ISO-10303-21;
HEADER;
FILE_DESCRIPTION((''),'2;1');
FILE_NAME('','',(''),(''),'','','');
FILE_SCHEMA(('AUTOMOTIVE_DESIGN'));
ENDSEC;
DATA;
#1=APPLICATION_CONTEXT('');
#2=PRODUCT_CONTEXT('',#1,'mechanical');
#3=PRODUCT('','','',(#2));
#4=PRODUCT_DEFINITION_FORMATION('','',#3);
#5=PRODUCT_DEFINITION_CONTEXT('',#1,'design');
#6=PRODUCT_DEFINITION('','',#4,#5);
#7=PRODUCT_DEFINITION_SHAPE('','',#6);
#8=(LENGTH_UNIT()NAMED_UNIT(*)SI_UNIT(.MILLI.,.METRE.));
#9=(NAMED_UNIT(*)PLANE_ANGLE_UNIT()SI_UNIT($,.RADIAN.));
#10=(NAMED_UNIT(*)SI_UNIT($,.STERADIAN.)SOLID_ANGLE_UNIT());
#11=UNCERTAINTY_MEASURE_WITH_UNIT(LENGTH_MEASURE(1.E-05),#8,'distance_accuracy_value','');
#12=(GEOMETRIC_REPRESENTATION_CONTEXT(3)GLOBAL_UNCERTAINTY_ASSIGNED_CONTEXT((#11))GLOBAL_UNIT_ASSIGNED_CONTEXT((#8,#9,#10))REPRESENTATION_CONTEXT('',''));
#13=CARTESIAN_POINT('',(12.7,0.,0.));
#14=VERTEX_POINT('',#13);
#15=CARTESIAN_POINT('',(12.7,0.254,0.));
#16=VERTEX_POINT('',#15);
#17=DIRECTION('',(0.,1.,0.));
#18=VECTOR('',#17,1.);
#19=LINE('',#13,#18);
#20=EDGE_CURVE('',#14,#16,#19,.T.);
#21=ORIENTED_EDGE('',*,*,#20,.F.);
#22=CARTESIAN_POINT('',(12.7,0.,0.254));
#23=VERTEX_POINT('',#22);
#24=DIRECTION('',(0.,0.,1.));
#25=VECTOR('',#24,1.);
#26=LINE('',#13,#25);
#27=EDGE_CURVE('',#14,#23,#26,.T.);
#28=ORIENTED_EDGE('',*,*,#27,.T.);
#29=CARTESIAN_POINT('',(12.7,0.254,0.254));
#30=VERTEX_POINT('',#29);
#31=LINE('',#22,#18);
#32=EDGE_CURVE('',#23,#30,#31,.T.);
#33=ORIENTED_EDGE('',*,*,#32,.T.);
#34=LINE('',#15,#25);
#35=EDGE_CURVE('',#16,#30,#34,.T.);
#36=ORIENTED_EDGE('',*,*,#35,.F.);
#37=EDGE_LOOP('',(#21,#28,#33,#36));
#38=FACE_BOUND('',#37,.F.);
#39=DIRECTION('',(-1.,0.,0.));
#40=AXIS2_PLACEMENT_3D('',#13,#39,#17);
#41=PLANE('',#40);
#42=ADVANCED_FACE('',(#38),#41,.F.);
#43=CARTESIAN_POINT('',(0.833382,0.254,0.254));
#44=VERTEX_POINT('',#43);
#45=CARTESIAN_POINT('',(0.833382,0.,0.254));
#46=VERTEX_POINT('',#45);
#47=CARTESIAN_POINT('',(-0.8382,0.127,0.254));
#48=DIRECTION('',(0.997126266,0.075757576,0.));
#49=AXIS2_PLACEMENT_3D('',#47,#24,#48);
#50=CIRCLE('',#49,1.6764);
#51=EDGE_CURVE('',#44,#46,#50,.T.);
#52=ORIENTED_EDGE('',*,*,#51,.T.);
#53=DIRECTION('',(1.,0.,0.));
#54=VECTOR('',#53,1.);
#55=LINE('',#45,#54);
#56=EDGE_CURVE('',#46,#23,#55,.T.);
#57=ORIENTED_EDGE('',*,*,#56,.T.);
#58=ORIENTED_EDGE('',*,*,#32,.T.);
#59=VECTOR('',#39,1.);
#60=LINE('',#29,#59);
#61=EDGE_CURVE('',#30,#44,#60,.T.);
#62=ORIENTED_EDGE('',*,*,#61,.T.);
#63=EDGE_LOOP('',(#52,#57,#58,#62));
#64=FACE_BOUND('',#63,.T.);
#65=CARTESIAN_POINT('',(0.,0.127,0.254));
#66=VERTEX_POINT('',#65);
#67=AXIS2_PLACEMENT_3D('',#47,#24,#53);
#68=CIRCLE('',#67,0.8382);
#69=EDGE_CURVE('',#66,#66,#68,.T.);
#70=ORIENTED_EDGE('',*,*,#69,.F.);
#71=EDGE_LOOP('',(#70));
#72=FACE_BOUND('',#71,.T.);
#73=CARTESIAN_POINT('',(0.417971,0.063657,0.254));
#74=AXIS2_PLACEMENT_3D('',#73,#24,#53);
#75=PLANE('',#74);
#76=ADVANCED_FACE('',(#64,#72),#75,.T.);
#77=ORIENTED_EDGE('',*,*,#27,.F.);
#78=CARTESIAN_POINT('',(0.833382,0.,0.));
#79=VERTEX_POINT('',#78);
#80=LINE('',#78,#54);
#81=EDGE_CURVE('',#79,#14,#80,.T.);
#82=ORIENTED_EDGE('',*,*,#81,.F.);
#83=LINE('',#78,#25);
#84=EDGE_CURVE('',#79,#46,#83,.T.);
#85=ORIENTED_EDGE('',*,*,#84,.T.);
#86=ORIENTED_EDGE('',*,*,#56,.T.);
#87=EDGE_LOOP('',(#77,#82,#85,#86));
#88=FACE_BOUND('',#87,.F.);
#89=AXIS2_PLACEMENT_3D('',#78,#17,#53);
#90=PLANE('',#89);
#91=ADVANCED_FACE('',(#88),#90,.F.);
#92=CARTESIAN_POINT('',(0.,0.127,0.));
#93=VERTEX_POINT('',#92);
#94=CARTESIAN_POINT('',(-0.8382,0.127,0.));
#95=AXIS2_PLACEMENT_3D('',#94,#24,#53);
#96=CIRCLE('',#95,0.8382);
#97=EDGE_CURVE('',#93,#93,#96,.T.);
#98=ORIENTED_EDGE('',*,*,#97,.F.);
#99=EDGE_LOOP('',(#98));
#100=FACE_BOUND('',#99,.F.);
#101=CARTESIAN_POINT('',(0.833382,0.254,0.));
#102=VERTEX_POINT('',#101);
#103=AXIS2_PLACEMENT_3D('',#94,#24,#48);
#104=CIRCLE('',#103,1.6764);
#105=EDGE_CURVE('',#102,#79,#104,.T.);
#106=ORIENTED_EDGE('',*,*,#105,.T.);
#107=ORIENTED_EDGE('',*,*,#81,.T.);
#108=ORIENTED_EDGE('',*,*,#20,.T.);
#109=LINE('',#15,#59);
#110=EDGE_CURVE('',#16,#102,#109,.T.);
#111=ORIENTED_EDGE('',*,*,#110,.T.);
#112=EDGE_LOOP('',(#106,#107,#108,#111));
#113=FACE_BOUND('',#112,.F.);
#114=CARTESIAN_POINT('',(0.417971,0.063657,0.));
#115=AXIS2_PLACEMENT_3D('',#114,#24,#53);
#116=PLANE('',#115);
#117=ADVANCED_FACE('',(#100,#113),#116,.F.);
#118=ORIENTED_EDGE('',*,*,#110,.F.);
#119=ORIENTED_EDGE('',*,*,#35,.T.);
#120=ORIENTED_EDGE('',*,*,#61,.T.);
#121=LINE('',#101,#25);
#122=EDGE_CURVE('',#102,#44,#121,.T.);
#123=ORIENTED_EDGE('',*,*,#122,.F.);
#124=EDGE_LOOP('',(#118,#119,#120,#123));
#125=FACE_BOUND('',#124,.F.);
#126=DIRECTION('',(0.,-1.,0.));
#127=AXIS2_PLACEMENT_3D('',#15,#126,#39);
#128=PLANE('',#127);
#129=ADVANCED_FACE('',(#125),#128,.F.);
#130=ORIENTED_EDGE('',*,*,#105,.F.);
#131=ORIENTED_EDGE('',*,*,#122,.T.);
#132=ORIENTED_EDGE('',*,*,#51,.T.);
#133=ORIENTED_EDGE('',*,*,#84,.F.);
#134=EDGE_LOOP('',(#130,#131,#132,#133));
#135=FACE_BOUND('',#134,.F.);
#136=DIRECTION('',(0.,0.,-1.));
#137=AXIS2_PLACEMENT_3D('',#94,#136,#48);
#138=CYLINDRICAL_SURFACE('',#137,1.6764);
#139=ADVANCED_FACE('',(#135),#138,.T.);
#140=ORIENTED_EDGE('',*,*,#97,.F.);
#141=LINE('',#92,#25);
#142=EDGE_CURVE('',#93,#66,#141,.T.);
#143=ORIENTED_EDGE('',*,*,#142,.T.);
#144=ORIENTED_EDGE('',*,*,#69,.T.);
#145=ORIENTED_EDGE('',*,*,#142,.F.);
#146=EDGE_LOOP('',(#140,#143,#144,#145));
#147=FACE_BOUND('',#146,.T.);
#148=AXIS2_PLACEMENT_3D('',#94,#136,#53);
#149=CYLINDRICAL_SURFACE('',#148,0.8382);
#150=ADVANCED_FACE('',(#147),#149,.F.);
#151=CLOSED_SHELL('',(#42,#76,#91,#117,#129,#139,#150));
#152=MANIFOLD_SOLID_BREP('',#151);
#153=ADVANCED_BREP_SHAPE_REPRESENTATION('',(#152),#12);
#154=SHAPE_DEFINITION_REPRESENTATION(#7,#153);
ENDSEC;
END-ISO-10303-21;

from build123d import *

# Parameters (mm, degrees)
F0_R     = 0.8382
F1_DEPTH = 0.254


with BuildPart() as f1:
    # F0 (on Top) → F1 (new body)
    with BuildSketch(Plane.XY):
        with BuildLine():
            Line((0, 0.127), (0, 0))
            Line((0, 0), (0.8333824718, 0))
            ThreePointArc((0.8333824718, 0), (0.836995185, 0.0634543302), (0.8382, 0.127))
            Line((0.8382, 0.127), (0, 0.127))
        make_face()
        with BuildLine():
            Line((0.8333824718, 0), (0, 0))
            Line((0, 0), (0, 0.127))
            Line((0, 0.127), (0, 0.254))
            Line((0, 0.254), (0.8333824718, 0.254))
            ThreePointArc((0.8333824718, 0.254), (-2.5146, 0.127), (0.8333824718, 0))
        make_face()
        with Locations((-0.8382, 0.127)):
            Circle(F0_R, mode=Mode.SUBTRACT)
        with BuildLine():
            ThreePointArc((0.8382, 0.127), (0.836995185, 0.0634543302), (0.8333824718, 0))
            Line((0.8333824718, 0), (12.7, 0))
            Line((12.7, 0), (12.7, 0.254))
            Line((12.7, 0.254), (0.8333824718, 0.254))
            ThreePointArc((0.8333824718, 0.254), (0.836995185, 0.1905456698), (0.8382, 0.127))
        make_face()
        with BuildLine():
            Line((0, 0.254), (0, 0.127))
            Line((0, 0.127), (0.8382, 0.127))
            ThreePointArc((0.8382, 0.127), (0.836995185, 0.1905456698), (0.8333824718, 0.254))
            Line((0.8333824718, 0.254), (0, 0.254))
        make_face()
    extrude(amount=F1_DEPTH)


solid = f1.part
